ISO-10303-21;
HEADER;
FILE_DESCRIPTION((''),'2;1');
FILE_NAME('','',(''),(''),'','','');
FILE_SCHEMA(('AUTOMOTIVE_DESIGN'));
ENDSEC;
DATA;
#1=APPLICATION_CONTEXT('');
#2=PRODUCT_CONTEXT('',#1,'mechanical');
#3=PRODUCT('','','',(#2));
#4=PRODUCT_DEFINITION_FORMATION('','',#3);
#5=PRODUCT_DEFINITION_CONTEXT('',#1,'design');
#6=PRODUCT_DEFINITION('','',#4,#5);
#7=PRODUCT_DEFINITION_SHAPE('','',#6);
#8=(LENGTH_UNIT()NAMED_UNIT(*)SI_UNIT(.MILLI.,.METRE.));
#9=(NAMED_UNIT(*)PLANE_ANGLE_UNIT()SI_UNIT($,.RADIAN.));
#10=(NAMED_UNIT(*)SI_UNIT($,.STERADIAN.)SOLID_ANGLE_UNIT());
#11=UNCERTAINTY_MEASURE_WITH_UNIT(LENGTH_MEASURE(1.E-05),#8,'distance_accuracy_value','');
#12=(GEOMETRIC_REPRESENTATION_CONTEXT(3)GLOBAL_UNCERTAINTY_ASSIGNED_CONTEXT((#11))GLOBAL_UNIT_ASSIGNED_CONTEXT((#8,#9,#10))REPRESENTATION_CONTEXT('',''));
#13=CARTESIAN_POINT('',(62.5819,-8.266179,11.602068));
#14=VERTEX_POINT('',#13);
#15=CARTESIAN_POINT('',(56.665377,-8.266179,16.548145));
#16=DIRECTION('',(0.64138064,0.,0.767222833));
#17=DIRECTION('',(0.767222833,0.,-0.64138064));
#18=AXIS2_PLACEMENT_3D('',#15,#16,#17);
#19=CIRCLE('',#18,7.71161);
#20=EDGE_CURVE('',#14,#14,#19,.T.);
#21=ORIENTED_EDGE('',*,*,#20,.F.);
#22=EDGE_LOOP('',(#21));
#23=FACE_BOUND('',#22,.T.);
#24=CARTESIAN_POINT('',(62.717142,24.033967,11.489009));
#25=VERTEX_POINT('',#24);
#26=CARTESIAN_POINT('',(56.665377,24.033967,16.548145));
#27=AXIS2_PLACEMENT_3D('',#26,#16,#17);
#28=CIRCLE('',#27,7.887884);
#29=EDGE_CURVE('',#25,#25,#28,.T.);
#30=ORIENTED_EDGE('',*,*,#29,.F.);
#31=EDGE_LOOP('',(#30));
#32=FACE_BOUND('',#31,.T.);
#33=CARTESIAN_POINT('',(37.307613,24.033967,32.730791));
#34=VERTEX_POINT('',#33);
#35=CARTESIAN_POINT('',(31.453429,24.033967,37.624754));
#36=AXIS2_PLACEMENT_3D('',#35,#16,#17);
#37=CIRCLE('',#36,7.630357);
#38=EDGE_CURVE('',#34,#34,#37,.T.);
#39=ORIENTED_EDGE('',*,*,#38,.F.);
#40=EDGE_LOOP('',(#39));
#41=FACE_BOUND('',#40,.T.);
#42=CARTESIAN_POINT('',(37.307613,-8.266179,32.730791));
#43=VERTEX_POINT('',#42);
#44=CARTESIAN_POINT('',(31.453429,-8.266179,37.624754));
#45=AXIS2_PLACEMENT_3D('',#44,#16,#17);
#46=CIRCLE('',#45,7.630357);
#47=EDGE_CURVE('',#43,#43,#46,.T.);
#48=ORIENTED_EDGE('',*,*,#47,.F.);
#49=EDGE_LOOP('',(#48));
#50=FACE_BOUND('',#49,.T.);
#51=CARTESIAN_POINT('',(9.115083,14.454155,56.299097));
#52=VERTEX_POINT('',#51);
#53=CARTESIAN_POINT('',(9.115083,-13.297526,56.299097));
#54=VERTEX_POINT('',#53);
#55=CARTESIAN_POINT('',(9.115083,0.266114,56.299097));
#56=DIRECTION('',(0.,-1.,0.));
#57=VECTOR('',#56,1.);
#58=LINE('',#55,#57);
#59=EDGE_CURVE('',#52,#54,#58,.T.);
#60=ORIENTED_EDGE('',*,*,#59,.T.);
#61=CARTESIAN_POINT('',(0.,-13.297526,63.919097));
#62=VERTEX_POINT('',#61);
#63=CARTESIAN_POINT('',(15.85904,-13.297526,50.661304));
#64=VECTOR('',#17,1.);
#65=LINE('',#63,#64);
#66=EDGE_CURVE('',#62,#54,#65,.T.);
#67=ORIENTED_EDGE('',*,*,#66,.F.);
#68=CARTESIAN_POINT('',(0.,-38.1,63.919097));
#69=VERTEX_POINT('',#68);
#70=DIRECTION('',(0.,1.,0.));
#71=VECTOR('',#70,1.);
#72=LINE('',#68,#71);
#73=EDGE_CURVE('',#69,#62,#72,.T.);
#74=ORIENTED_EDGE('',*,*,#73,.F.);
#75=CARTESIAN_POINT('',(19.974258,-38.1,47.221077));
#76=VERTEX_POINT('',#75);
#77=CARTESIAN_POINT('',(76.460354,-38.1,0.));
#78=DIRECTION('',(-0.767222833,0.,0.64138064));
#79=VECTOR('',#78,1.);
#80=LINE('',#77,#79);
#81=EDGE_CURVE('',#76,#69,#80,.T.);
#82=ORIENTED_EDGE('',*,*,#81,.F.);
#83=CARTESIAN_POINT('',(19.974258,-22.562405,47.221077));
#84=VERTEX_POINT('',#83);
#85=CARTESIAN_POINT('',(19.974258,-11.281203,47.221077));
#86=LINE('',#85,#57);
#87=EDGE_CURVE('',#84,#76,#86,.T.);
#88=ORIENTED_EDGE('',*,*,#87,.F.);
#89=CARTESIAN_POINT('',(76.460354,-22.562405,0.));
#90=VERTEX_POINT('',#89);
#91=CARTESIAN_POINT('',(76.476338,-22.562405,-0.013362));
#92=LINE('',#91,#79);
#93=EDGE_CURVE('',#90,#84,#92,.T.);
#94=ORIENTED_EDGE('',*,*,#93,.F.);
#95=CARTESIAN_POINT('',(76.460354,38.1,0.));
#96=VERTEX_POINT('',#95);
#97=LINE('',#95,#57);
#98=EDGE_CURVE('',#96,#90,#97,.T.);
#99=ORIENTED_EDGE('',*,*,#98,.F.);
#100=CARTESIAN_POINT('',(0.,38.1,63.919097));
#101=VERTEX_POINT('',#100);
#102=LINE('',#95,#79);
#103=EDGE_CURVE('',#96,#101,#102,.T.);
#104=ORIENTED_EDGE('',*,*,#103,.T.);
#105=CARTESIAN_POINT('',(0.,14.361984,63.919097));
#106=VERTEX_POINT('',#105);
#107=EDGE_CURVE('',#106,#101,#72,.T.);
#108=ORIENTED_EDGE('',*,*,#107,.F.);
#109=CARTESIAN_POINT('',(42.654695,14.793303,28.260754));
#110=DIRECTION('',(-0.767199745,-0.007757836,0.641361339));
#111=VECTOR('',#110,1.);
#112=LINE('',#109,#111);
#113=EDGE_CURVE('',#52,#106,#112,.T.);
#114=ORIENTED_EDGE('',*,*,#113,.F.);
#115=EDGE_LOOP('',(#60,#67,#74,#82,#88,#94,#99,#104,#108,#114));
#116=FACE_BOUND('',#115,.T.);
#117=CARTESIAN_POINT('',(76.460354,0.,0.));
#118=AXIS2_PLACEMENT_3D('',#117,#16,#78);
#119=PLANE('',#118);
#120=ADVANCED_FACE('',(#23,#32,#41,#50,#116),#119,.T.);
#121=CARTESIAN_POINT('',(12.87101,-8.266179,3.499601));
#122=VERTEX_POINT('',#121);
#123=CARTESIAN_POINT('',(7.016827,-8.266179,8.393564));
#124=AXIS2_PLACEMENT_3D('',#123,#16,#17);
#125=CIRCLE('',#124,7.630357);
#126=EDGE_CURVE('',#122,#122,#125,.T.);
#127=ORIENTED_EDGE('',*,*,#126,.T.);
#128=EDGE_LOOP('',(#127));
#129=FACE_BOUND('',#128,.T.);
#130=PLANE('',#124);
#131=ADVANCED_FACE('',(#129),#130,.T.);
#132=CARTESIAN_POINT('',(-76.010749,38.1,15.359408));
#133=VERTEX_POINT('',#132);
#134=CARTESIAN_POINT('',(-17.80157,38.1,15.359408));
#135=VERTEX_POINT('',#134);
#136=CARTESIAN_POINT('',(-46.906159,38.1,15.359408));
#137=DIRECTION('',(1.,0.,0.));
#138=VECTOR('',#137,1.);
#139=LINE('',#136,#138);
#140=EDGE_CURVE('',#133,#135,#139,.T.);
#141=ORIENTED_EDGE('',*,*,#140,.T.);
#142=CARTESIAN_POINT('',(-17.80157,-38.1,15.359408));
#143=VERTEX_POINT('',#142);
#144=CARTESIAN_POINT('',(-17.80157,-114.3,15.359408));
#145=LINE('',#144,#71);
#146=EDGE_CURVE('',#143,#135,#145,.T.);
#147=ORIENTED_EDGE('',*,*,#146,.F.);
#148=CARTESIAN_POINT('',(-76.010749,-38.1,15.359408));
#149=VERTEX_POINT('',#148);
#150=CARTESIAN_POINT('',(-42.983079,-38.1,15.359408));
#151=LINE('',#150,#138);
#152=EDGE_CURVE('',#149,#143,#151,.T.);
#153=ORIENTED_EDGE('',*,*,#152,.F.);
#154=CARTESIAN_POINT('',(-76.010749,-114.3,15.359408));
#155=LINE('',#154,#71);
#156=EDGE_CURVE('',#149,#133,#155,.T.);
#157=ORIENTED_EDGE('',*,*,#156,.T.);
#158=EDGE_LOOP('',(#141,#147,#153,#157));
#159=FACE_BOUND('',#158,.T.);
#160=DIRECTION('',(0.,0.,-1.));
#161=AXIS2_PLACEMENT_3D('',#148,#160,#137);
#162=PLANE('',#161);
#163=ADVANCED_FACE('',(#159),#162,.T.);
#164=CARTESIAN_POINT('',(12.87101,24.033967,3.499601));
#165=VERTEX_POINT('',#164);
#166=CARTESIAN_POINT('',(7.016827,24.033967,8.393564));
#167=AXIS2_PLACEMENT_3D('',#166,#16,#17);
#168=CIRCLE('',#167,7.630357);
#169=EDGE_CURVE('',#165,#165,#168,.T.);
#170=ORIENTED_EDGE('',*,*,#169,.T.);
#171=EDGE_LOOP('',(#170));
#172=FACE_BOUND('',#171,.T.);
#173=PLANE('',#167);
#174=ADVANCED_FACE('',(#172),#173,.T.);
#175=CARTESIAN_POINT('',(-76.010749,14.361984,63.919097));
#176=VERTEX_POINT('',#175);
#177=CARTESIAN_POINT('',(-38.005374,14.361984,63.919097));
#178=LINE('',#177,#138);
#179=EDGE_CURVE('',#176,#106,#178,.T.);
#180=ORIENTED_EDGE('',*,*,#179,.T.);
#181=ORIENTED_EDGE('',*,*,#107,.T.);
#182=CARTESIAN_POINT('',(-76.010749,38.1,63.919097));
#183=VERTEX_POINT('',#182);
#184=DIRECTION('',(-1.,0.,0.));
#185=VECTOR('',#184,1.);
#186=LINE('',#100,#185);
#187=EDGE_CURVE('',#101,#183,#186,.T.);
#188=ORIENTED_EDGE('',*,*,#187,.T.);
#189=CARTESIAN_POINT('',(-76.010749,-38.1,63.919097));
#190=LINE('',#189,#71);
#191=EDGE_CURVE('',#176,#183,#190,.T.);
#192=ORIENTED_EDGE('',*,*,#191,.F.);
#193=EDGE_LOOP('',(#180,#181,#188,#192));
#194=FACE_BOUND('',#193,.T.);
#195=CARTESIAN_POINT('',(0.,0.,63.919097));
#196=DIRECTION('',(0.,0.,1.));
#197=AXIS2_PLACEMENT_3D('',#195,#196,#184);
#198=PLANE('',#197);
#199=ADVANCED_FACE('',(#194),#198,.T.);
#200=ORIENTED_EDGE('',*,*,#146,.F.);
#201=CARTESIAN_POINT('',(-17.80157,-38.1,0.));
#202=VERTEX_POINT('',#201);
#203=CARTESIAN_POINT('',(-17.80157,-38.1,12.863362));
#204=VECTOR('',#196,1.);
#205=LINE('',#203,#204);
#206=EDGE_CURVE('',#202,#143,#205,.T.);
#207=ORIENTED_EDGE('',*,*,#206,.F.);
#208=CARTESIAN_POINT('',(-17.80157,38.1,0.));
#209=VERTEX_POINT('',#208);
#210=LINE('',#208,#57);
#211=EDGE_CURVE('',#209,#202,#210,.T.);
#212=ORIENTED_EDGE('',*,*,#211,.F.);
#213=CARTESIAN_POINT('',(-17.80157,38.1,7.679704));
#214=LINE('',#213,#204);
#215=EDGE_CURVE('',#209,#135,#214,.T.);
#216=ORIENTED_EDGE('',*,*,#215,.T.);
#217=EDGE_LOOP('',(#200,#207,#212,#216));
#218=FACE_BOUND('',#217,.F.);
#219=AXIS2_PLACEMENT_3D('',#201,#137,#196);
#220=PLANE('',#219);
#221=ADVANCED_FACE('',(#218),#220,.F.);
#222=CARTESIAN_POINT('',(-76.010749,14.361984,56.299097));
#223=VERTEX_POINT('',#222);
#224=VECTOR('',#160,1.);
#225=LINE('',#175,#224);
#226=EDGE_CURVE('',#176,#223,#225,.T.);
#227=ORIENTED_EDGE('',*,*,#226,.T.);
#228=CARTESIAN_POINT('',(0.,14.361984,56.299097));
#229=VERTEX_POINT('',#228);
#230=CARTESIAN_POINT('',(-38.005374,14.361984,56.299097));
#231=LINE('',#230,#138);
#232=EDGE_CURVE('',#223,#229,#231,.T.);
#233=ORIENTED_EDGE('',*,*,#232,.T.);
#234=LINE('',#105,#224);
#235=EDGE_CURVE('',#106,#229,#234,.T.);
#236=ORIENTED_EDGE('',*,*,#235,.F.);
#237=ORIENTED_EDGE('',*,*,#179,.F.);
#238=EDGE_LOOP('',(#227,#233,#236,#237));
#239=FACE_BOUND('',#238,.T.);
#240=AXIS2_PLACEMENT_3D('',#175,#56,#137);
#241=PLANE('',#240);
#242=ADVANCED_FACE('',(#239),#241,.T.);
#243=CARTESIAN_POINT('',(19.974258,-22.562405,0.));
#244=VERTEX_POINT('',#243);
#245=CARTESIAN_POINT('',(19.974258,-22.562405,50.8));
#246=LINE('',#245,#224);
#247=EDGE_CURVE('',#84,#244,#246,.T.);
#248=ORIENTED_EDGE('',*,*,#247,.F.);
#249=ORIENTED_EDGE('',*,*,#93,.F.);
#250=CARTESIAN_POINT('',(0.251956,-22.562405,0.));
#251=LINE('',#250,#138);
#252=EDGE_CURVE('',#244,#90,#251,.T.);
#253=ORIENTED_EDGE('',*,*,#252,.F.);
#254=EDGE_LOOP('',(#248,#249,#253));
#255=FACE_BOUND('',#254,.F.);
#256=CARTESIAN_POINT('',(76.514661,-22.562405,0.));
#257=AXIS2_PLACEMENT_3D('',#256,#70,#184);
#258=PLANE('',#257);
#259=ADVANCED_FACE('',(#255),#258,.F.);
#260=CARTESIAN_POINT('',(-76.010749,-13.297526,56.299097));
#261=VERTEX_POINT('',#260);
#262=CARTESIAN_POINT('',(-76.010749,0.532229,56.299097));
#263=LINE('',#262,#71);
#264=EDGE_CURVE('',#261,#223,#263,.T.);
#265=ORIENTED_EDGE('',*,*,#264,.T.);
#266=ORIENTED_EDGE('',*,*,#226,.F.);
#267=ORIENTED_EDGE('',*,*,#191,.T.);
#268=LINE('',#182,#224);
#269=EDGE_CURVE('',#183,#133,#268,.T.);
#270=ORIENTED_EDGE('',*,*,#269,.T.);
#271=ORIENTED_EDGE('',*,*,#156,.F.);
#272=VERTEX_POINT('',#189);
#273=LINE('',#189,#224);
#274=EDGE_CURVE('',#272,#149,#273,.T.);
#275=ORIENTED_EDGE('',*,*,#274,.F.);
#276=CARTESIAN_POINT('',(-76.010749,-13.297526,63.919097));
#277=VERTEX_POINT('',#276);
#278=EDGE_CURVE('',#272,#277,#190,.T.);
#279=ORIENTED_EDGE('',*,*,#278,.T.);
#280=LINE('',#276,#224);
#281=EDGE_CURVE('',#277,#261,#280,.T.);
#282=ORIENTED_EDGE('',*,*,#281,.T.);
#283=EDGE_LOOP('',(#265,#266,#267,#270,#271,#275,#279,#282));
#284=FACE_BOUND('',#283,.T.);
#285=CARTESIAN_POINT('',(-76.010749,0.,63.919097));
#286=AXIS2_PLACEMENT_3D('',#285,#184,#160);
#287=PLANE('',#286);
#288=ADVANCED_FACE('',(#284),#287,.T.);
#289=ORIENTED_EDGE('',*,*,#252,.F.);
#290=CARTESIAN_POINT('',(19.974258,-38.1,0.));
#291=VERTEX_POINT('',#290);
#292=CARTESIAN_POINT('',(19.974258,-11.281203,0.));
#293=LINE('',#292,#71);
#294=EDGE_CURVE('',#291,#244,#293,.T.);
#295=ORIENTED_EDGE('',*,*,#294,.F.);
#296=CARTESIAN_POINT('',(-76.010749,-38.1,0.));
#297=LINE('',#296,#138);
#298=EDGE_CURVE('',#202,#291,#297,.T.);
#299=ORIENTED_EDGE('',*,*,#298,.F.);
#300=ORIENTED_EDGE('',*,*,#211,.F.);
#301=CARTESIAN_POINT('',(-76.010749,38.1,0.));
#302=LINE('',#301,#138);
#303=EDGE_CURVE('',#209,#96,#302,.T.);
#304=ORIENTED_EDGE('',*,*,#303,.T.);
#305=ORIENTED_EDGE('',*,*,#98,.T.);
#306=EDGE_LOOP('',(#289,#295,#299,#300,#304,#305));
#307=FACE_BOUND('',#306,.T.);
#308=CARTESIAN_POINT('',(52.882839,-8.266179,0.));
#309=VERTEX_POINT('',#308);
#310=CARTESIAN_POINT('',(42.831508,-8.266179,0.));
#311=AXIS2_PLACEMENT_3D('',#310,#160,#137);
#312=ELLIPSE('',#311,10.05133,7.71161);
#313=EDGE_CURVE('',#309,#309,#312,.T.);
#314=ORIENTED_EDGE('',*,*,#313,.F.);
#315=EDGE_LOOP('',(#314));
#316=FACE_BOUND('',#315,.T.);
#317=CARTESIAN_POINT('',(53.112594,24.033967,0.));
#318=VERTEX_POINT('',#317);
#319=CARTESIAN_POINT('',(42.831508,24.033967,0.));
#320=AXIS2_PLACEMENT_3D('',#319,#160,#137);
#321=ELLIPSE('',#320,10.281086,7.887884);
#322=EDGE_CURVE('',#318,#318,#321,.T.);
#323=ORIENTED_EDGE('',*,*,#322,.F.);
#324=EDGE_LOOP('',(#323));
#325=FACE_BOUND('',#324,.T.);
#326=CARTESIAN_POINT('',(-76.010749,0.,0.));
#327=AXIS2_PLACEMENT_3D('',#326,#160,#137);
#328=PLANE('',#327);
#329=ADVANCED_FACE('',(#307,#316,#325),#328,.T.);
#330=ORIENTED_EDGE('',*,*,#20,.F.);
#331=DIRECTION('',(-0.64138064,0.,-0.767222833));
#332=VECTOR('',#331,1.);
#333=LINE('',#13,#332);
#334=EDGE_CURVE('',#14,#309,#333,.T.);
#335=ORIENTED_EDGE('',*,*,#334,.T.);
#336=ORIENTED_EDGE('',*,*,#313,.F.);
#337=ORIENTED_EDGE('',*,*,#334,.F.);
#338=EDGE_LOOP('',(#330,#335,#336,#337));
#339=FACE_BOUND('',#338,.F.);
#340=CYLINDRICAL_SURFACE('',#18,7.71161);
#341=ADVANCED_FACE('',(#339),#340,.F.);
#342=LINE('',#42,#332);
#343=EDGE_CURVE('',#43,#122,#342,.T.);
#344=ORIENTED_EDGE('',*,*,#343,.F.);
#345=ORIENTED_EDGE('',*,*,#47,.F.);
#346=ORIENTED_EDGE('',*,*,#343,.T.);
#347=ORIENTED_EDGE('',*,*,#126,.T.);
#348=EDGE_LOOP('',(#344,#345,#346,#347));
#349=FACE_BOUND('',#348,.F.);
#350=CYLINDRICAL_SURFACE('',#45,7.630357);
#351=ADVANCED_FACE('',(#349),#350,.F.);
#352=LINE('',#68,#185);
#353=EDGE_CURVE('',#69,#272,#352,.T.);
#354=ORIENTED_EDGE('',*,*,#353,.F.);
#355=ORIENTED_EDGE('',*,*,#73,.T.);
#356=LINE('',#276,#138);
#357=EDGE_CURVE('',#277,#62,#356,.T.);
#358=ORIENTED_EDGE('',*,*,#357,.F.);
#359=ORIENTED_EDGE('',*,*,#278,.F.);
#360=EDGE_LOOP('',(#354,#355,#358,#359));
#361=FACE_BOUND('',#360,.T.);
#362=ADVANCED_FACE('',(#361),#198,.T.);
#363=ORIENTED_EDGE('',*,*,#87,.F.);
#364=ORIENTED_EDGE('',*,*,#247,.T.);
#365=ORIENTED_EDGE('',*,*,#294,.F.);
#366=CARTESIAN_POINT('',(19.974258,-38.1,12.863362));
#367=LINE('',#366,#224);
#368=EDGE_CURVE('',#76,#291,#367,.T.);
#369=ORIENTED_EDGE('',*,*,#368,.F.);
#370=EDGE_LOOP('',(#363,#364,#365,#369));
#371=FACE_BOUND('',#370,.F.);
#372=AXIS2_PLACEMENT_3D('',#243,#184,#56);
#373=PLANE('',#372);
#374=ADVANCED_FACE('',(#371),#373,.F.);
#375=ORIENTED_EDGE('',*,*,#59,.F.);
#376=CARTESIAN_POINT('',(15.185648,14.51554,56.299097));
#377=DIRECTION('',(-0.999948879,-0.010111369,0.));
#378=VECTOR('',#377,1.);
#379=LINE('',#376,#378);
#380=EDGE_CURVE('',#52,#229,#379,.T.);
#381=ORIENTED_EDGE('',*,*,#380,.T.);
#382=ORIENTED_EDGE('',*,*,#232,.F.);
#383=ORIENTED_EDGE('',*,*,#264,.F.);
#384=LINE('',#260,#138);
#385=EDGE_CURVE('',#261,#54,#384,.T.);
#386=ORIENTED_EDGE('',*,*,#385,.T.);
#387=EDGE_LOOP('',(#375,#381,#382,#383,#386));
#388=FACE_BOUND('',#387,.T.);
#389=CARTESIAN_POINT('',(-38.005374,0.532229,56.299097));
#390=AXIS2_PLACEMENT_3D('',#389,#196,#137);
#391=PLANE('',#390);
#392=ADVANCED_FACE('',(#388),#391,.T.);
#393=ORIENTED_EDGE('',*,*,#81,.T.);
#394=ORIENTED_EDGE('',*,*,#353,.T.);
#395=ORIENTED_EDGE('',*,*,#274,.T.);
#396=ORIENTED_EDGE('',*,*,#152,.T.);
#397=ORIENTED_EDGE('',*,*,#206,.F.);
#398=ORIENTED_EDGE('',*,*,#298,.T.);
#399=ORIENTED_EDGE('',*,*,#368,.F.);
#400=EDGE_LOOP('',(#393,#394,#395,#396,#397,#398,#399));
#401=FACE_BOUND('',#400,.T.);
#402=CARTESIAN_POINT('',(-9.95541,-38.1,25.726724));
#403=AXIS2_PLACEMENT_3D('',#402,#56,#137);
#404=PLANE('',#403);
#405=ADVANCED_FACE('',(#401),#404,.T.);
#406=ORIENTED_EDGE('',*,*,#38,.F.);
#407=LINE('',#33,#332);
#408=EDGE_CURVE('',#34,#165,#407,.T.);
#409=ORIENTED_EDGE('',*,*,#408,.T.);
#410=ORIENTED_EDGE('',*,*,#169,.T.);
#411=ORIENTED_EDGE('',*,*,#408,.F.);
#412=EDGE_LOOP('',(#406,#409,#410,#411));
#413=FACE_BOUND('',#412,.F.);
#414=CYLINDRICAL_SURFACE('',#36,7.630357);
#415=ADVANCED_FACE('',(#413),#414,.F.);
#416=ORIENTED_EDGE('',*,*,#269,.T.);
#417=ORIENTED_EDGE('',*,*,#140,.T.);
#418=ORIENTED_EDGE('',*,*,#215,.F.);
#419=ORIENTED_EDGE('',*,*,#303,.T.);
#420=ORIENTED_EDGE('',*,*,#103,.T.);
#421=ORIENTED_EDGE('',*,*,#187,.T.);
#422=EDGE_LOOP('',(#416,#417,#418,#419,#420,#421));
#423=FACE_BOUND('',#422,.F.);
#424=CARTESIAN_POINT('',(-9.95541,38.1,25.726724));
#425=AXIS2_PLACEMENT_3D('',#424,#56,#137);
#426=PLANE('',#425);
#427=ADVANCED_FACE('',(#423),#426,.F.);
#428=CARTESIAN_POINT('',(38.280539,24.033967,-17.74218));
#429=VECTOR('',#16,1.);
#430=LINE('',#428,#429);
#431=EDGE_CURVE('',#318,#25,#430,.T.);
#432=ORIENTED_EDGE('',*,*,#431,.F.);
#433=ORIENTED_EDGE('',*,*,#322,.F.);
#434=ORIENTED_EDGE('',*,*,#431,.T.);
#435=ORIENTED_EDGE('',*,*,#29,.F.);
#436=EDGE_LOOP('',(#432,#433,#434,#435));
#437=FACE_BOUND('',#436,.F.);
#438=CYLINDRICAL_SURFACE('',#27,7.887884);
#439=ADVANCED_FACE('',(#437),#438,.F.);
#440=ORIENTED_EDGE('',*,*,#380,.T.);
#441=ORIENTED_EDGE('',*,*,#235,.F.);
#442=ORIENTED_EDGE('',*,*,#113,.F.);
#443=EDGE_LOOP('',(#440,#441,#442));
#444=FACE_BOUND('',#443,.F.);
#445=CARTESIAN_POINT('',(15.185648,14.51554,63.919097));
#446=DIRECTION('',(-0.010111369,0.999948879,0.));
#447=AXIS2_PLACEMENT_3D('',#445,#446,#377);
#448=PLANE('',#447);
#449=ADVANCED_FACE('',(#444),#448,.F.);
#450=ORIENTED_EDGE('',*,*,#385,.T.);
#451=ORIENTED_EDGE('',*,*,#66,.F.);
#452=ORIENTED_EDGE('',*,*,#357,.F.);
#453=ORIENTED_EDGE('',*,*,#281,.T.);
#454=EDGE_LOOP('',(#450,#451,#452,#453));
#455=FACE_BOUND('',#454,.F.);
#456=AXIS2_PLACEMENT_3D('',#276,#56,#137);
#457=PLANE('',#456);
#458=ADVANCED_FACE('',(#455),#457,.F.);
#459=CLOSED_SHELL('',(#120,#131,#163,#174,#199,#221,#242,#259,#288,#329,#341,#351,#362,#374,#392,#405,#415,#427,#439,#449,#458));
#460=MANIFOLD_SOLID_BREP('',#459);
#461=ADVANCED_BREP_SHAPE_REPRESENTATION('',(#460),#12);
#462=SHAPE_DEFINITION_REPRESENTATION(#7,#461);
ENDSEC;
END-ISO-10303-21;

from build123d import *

# Parameters (mm, degrees)
F1_DEPTH = 38.1
F2_W     = 58.2091789693
F2_H     = 15.3594079479
F3_DEPTH = 76.2
F5_DEPTH = 50.8
F6_W     = 76.010748744
F6_H     = 27.6595102623
F7_DEPTH = 7.62
F8_R     = 7.6303567528
F8_R_2   = 7.7116101736
F8_R_3   = 7.8878838381
F9_DEPTH = 38.1


with BuildPart() as f1:
    # F0 (on Front) → F1 (new body, symmetric)
    with BuildSketch(Plane.XZ):
        Polygon((-76.010748744, 63.9190971851), (-76.010748744, 0), (0, 0), (76.4603540301, 0), (0, 63.9190971851), align=None)
    extrude(amount=F1_DEPTH, both=True)

    # F2 (on face) → F3 (cut, symmetric)
    with BuildSketch(Plane.XZ.offset(38.1)):
        with Locations((-46.9061592594, 7.679703974)):
            Rectangle(F2_W, F2_H)
    extrude(amount=F3_DEPTH, both=True, mode=Mode.SUBTRACT)

    # F4 (on Top) → F5 (cut, symmetric)
    with BuildSketch(Plane.XY):
        Polygon((19.974257797, -22.5624050945), (19.974257797, -38.3158996701), (76.5146613121, -38.1380990148), (76.5146613121, -22.5624050945), align=None)
    extrude(amount=F5_DEPTH, both=True, mode=Mode.SUBTRACT)

    # F6 (on face) → F7 (cut)
    with BuildSketch(Plane.XY.offset(63.9190971851)):
        with Locations((-38.005374372, 0.5322289653)):
            Rectangle(F6_W, F6_H)
        Polygon((0, 14.3619840965), (0, -13.2975261658), (15.1856476441, -13.2975261658), (15.1856476441, 14.5155396312), align=None)
    extrude(amount=-F7_DEPTH, mode=Mode.SUBTRACT)

    # F8 (on face) → F9 (cut, symmetric)
    with BuildSketch(Plane(origin=(31.4534289532, 0, 37.6247540897), x_dir=(0.7672228325, 0, -0.6413806399), z_dir=(0.6413806399, 0, 0.7672228325))):
        with Locations((0, -8.2661788911)):
            Circle(F8_R)
        with Locations((32.8613109887, -8.2661788911)):
            Circle(F8_R_2)
        with Locations((0, 24.0339674056)):
            Circle(F8_R)
        with Locations((32.8613109887, 24.0339674056)):
            Circle(F8_R_3)
    extrude(amount=F9_DEPTH, both=True, mode=Mode.SUBTRACT)


solid = f1.part
